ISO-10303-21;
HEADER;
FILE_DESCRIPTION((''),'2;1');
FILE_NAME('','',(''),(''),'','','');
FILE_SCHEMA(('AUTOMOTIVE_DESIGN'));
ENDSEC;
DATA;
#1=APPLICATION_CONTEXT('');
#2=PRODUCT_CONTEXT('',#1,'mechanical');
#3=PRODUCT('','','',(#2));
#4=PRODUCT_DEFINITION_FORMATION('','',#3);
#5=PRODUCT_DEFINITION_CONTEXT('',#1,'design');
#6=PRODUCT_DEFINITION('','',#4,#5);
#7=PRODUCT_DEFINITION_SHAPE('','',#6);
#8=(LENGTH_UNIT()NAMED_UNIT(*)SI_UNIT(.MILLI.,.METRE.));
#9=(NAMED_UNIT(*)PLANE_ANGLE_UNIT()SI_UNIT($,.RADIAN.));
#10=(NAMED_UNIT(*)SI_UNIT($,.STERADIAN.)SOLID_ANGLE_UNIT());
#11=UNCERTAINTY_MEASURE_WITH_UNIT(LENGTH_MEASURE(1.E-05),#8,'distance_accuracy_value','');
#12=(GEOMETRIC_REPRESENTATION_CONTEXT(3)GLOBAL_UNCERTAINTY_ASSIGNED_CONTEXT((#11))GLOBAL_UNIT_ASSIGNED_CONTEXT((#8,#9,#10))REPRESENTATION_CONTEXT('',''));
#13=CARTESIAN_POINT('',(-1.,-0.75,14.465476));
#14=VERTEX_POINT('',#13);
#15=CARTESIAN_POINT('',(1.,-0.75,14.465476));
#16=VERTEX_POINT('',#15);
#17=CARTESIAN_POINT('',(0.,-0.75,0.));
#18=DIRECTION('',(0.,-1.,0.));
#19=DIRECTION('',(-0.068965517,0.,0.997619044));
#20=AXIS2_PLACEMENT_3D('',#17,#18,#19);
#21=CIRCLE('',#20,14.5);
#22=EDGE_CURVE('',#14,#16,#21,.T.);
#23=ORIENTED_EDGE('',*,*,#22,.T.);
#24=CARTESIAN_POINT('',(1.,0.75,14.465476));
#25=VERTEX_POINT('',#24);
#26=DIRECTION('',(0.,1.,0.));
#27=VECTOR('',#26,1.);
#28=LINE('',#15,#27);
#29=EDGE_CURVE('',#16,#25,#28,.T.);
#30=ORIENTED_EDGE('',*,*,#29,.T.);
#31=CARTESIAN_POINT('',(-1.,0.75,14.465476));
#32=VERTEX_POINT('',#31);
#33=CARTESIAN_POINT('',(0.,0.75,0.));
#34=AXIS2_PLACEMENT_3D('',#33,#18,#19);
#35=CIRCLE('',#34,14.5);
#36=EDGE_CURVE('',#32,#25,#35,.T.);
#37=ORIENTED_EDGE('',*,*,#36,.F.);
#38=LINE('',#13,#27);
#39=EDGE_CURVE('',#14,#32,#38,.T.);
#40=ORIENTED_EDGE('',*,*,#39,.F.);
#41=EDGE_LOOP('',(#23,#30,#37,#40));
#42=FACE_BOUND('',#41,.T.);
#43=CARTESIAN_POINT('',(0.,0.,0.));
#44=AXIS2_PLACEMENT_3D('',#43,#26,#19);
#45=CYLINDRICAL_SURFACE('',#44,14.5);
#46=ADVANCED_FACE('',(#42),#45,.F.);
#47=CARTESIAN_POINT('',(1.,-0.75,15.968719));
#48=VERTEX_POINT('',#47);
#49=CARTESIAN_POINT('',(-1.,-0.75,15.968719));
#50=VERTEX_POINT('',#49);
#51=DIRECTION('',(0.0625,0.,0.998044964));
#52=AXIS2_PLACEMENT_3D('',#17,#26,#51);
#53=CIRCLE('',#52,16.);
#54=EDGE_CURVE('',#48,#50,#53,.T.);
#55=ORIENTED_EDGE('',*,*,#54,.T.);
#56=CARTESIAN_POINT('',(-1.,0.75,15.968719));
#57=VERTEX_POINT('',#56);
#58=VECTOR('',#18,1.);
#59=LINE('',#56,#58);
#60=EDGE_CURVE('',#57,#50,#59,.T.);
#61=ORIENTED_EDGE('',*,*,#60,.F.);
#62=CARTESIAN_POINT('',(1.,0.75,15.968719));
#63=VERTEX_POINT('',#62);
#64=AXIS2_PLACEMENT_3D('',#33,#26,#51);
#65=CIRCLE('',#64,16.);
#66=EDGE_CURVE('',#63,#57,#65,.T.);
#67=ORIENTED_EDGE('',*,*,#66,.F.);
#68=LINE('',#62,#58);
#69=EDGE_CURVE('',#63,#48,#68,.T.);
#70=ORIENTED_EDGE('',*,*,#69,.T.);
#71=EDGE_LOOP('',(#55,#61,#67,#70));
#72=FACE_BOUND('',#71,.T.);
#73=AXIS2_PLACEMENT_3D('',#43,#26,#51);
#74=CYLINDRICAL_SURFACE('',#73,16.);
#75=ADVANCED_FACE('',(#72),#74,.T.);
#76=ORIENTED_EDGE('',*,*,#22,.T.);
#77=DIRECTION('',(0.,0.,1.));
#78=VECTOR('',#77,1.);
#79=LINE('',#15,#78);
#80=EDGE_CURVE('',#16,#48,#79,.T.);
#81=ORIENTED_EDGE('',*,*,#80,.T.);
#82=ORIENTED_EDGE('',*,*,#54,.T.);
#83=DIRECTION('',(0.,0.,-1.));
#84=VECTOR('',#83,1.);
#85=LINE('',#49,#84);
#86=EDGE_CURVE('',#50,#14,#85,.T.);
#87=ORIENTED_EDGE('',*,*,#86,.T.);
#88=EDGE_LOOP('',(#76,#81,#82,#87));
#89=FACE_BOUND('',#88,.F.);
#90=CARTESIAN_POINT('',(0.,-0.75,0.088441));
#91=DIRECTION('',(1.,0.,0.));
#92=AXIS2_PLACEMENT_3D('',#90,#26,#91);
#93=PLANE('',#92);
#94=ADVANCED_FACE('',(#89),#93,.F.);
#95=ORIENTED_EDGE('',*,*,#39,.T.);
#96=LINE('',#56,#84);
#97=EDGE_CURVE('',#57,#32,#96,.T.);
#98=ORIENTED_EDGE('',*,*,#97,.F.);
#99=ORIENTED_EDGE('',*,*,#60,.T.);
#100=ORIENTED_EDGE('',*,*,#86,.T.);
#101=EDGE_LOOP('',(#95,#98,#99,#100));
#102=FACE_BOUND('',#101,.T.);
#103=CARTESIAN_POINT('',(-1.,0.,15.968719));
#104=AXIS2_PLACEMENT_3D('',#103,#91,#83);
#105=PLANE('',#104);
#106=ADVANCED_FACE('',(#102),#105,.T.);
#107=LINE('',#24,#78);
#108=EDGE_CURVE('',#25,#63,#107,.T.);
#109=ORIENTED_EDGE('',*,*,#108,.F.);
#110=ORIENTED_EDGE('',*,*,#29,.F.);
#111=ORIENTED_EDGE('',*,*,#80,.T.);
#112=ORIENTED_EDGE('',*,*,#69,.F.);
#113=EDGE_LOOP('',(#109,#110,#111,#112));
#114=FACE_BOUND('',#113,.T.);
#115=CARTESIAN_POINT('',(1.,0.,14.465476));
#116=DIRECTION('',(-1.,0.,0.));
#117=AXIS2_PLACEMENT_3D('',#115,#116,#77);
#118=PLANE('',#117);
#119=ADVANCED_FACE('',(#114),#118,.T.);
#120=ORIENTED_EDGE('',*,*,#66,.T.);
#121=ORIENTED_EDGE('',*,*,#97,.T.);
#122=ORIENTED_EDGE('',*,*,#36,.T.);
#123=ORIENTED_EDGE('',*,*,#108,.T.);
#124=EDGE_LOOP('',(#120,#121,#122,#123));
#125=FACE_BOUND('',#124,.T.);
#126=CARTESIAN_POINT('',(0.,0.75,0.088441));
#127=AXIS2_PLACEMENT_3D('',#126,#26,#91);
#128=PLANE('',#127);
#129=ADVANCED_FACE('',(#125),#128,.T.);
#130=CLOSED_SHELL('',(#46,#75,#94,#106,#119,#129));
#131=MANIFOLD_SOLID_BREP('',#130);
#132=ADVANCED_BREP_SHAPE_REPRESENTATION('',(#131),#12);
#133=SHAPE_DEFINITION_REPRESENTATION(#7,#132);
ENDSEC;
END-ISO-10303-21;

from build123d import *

# Parameters (mm, degrees)
BOSS_EXTRUDE1_DEPTH = 0.75


with BuildPart() as part:
    # Sketch2 → Boss-Extrude1 (new body, symmetric)
    with BuildSketch(Plane(origin=(0, 0, 0), x_dir=(1, 0, 0), z_dir=(0, 1, 0))):
        with BuildLine():
            Line((-1, -15.968719423), (-1, -14.465476141))
            ThreePointArc((-1, -14.465476141), (0, 14.5), (1, -14.465476141))
            Line((1, -14.465476141), (1, -15.968719423))
            ThreePointArc((1, -15.968719423), (0, 16), (-1, -15.968719423))
        make_face()
    extrude(amount=BOSS_EXTRUDE1_DEPTH, both=True)


solid = part.part
